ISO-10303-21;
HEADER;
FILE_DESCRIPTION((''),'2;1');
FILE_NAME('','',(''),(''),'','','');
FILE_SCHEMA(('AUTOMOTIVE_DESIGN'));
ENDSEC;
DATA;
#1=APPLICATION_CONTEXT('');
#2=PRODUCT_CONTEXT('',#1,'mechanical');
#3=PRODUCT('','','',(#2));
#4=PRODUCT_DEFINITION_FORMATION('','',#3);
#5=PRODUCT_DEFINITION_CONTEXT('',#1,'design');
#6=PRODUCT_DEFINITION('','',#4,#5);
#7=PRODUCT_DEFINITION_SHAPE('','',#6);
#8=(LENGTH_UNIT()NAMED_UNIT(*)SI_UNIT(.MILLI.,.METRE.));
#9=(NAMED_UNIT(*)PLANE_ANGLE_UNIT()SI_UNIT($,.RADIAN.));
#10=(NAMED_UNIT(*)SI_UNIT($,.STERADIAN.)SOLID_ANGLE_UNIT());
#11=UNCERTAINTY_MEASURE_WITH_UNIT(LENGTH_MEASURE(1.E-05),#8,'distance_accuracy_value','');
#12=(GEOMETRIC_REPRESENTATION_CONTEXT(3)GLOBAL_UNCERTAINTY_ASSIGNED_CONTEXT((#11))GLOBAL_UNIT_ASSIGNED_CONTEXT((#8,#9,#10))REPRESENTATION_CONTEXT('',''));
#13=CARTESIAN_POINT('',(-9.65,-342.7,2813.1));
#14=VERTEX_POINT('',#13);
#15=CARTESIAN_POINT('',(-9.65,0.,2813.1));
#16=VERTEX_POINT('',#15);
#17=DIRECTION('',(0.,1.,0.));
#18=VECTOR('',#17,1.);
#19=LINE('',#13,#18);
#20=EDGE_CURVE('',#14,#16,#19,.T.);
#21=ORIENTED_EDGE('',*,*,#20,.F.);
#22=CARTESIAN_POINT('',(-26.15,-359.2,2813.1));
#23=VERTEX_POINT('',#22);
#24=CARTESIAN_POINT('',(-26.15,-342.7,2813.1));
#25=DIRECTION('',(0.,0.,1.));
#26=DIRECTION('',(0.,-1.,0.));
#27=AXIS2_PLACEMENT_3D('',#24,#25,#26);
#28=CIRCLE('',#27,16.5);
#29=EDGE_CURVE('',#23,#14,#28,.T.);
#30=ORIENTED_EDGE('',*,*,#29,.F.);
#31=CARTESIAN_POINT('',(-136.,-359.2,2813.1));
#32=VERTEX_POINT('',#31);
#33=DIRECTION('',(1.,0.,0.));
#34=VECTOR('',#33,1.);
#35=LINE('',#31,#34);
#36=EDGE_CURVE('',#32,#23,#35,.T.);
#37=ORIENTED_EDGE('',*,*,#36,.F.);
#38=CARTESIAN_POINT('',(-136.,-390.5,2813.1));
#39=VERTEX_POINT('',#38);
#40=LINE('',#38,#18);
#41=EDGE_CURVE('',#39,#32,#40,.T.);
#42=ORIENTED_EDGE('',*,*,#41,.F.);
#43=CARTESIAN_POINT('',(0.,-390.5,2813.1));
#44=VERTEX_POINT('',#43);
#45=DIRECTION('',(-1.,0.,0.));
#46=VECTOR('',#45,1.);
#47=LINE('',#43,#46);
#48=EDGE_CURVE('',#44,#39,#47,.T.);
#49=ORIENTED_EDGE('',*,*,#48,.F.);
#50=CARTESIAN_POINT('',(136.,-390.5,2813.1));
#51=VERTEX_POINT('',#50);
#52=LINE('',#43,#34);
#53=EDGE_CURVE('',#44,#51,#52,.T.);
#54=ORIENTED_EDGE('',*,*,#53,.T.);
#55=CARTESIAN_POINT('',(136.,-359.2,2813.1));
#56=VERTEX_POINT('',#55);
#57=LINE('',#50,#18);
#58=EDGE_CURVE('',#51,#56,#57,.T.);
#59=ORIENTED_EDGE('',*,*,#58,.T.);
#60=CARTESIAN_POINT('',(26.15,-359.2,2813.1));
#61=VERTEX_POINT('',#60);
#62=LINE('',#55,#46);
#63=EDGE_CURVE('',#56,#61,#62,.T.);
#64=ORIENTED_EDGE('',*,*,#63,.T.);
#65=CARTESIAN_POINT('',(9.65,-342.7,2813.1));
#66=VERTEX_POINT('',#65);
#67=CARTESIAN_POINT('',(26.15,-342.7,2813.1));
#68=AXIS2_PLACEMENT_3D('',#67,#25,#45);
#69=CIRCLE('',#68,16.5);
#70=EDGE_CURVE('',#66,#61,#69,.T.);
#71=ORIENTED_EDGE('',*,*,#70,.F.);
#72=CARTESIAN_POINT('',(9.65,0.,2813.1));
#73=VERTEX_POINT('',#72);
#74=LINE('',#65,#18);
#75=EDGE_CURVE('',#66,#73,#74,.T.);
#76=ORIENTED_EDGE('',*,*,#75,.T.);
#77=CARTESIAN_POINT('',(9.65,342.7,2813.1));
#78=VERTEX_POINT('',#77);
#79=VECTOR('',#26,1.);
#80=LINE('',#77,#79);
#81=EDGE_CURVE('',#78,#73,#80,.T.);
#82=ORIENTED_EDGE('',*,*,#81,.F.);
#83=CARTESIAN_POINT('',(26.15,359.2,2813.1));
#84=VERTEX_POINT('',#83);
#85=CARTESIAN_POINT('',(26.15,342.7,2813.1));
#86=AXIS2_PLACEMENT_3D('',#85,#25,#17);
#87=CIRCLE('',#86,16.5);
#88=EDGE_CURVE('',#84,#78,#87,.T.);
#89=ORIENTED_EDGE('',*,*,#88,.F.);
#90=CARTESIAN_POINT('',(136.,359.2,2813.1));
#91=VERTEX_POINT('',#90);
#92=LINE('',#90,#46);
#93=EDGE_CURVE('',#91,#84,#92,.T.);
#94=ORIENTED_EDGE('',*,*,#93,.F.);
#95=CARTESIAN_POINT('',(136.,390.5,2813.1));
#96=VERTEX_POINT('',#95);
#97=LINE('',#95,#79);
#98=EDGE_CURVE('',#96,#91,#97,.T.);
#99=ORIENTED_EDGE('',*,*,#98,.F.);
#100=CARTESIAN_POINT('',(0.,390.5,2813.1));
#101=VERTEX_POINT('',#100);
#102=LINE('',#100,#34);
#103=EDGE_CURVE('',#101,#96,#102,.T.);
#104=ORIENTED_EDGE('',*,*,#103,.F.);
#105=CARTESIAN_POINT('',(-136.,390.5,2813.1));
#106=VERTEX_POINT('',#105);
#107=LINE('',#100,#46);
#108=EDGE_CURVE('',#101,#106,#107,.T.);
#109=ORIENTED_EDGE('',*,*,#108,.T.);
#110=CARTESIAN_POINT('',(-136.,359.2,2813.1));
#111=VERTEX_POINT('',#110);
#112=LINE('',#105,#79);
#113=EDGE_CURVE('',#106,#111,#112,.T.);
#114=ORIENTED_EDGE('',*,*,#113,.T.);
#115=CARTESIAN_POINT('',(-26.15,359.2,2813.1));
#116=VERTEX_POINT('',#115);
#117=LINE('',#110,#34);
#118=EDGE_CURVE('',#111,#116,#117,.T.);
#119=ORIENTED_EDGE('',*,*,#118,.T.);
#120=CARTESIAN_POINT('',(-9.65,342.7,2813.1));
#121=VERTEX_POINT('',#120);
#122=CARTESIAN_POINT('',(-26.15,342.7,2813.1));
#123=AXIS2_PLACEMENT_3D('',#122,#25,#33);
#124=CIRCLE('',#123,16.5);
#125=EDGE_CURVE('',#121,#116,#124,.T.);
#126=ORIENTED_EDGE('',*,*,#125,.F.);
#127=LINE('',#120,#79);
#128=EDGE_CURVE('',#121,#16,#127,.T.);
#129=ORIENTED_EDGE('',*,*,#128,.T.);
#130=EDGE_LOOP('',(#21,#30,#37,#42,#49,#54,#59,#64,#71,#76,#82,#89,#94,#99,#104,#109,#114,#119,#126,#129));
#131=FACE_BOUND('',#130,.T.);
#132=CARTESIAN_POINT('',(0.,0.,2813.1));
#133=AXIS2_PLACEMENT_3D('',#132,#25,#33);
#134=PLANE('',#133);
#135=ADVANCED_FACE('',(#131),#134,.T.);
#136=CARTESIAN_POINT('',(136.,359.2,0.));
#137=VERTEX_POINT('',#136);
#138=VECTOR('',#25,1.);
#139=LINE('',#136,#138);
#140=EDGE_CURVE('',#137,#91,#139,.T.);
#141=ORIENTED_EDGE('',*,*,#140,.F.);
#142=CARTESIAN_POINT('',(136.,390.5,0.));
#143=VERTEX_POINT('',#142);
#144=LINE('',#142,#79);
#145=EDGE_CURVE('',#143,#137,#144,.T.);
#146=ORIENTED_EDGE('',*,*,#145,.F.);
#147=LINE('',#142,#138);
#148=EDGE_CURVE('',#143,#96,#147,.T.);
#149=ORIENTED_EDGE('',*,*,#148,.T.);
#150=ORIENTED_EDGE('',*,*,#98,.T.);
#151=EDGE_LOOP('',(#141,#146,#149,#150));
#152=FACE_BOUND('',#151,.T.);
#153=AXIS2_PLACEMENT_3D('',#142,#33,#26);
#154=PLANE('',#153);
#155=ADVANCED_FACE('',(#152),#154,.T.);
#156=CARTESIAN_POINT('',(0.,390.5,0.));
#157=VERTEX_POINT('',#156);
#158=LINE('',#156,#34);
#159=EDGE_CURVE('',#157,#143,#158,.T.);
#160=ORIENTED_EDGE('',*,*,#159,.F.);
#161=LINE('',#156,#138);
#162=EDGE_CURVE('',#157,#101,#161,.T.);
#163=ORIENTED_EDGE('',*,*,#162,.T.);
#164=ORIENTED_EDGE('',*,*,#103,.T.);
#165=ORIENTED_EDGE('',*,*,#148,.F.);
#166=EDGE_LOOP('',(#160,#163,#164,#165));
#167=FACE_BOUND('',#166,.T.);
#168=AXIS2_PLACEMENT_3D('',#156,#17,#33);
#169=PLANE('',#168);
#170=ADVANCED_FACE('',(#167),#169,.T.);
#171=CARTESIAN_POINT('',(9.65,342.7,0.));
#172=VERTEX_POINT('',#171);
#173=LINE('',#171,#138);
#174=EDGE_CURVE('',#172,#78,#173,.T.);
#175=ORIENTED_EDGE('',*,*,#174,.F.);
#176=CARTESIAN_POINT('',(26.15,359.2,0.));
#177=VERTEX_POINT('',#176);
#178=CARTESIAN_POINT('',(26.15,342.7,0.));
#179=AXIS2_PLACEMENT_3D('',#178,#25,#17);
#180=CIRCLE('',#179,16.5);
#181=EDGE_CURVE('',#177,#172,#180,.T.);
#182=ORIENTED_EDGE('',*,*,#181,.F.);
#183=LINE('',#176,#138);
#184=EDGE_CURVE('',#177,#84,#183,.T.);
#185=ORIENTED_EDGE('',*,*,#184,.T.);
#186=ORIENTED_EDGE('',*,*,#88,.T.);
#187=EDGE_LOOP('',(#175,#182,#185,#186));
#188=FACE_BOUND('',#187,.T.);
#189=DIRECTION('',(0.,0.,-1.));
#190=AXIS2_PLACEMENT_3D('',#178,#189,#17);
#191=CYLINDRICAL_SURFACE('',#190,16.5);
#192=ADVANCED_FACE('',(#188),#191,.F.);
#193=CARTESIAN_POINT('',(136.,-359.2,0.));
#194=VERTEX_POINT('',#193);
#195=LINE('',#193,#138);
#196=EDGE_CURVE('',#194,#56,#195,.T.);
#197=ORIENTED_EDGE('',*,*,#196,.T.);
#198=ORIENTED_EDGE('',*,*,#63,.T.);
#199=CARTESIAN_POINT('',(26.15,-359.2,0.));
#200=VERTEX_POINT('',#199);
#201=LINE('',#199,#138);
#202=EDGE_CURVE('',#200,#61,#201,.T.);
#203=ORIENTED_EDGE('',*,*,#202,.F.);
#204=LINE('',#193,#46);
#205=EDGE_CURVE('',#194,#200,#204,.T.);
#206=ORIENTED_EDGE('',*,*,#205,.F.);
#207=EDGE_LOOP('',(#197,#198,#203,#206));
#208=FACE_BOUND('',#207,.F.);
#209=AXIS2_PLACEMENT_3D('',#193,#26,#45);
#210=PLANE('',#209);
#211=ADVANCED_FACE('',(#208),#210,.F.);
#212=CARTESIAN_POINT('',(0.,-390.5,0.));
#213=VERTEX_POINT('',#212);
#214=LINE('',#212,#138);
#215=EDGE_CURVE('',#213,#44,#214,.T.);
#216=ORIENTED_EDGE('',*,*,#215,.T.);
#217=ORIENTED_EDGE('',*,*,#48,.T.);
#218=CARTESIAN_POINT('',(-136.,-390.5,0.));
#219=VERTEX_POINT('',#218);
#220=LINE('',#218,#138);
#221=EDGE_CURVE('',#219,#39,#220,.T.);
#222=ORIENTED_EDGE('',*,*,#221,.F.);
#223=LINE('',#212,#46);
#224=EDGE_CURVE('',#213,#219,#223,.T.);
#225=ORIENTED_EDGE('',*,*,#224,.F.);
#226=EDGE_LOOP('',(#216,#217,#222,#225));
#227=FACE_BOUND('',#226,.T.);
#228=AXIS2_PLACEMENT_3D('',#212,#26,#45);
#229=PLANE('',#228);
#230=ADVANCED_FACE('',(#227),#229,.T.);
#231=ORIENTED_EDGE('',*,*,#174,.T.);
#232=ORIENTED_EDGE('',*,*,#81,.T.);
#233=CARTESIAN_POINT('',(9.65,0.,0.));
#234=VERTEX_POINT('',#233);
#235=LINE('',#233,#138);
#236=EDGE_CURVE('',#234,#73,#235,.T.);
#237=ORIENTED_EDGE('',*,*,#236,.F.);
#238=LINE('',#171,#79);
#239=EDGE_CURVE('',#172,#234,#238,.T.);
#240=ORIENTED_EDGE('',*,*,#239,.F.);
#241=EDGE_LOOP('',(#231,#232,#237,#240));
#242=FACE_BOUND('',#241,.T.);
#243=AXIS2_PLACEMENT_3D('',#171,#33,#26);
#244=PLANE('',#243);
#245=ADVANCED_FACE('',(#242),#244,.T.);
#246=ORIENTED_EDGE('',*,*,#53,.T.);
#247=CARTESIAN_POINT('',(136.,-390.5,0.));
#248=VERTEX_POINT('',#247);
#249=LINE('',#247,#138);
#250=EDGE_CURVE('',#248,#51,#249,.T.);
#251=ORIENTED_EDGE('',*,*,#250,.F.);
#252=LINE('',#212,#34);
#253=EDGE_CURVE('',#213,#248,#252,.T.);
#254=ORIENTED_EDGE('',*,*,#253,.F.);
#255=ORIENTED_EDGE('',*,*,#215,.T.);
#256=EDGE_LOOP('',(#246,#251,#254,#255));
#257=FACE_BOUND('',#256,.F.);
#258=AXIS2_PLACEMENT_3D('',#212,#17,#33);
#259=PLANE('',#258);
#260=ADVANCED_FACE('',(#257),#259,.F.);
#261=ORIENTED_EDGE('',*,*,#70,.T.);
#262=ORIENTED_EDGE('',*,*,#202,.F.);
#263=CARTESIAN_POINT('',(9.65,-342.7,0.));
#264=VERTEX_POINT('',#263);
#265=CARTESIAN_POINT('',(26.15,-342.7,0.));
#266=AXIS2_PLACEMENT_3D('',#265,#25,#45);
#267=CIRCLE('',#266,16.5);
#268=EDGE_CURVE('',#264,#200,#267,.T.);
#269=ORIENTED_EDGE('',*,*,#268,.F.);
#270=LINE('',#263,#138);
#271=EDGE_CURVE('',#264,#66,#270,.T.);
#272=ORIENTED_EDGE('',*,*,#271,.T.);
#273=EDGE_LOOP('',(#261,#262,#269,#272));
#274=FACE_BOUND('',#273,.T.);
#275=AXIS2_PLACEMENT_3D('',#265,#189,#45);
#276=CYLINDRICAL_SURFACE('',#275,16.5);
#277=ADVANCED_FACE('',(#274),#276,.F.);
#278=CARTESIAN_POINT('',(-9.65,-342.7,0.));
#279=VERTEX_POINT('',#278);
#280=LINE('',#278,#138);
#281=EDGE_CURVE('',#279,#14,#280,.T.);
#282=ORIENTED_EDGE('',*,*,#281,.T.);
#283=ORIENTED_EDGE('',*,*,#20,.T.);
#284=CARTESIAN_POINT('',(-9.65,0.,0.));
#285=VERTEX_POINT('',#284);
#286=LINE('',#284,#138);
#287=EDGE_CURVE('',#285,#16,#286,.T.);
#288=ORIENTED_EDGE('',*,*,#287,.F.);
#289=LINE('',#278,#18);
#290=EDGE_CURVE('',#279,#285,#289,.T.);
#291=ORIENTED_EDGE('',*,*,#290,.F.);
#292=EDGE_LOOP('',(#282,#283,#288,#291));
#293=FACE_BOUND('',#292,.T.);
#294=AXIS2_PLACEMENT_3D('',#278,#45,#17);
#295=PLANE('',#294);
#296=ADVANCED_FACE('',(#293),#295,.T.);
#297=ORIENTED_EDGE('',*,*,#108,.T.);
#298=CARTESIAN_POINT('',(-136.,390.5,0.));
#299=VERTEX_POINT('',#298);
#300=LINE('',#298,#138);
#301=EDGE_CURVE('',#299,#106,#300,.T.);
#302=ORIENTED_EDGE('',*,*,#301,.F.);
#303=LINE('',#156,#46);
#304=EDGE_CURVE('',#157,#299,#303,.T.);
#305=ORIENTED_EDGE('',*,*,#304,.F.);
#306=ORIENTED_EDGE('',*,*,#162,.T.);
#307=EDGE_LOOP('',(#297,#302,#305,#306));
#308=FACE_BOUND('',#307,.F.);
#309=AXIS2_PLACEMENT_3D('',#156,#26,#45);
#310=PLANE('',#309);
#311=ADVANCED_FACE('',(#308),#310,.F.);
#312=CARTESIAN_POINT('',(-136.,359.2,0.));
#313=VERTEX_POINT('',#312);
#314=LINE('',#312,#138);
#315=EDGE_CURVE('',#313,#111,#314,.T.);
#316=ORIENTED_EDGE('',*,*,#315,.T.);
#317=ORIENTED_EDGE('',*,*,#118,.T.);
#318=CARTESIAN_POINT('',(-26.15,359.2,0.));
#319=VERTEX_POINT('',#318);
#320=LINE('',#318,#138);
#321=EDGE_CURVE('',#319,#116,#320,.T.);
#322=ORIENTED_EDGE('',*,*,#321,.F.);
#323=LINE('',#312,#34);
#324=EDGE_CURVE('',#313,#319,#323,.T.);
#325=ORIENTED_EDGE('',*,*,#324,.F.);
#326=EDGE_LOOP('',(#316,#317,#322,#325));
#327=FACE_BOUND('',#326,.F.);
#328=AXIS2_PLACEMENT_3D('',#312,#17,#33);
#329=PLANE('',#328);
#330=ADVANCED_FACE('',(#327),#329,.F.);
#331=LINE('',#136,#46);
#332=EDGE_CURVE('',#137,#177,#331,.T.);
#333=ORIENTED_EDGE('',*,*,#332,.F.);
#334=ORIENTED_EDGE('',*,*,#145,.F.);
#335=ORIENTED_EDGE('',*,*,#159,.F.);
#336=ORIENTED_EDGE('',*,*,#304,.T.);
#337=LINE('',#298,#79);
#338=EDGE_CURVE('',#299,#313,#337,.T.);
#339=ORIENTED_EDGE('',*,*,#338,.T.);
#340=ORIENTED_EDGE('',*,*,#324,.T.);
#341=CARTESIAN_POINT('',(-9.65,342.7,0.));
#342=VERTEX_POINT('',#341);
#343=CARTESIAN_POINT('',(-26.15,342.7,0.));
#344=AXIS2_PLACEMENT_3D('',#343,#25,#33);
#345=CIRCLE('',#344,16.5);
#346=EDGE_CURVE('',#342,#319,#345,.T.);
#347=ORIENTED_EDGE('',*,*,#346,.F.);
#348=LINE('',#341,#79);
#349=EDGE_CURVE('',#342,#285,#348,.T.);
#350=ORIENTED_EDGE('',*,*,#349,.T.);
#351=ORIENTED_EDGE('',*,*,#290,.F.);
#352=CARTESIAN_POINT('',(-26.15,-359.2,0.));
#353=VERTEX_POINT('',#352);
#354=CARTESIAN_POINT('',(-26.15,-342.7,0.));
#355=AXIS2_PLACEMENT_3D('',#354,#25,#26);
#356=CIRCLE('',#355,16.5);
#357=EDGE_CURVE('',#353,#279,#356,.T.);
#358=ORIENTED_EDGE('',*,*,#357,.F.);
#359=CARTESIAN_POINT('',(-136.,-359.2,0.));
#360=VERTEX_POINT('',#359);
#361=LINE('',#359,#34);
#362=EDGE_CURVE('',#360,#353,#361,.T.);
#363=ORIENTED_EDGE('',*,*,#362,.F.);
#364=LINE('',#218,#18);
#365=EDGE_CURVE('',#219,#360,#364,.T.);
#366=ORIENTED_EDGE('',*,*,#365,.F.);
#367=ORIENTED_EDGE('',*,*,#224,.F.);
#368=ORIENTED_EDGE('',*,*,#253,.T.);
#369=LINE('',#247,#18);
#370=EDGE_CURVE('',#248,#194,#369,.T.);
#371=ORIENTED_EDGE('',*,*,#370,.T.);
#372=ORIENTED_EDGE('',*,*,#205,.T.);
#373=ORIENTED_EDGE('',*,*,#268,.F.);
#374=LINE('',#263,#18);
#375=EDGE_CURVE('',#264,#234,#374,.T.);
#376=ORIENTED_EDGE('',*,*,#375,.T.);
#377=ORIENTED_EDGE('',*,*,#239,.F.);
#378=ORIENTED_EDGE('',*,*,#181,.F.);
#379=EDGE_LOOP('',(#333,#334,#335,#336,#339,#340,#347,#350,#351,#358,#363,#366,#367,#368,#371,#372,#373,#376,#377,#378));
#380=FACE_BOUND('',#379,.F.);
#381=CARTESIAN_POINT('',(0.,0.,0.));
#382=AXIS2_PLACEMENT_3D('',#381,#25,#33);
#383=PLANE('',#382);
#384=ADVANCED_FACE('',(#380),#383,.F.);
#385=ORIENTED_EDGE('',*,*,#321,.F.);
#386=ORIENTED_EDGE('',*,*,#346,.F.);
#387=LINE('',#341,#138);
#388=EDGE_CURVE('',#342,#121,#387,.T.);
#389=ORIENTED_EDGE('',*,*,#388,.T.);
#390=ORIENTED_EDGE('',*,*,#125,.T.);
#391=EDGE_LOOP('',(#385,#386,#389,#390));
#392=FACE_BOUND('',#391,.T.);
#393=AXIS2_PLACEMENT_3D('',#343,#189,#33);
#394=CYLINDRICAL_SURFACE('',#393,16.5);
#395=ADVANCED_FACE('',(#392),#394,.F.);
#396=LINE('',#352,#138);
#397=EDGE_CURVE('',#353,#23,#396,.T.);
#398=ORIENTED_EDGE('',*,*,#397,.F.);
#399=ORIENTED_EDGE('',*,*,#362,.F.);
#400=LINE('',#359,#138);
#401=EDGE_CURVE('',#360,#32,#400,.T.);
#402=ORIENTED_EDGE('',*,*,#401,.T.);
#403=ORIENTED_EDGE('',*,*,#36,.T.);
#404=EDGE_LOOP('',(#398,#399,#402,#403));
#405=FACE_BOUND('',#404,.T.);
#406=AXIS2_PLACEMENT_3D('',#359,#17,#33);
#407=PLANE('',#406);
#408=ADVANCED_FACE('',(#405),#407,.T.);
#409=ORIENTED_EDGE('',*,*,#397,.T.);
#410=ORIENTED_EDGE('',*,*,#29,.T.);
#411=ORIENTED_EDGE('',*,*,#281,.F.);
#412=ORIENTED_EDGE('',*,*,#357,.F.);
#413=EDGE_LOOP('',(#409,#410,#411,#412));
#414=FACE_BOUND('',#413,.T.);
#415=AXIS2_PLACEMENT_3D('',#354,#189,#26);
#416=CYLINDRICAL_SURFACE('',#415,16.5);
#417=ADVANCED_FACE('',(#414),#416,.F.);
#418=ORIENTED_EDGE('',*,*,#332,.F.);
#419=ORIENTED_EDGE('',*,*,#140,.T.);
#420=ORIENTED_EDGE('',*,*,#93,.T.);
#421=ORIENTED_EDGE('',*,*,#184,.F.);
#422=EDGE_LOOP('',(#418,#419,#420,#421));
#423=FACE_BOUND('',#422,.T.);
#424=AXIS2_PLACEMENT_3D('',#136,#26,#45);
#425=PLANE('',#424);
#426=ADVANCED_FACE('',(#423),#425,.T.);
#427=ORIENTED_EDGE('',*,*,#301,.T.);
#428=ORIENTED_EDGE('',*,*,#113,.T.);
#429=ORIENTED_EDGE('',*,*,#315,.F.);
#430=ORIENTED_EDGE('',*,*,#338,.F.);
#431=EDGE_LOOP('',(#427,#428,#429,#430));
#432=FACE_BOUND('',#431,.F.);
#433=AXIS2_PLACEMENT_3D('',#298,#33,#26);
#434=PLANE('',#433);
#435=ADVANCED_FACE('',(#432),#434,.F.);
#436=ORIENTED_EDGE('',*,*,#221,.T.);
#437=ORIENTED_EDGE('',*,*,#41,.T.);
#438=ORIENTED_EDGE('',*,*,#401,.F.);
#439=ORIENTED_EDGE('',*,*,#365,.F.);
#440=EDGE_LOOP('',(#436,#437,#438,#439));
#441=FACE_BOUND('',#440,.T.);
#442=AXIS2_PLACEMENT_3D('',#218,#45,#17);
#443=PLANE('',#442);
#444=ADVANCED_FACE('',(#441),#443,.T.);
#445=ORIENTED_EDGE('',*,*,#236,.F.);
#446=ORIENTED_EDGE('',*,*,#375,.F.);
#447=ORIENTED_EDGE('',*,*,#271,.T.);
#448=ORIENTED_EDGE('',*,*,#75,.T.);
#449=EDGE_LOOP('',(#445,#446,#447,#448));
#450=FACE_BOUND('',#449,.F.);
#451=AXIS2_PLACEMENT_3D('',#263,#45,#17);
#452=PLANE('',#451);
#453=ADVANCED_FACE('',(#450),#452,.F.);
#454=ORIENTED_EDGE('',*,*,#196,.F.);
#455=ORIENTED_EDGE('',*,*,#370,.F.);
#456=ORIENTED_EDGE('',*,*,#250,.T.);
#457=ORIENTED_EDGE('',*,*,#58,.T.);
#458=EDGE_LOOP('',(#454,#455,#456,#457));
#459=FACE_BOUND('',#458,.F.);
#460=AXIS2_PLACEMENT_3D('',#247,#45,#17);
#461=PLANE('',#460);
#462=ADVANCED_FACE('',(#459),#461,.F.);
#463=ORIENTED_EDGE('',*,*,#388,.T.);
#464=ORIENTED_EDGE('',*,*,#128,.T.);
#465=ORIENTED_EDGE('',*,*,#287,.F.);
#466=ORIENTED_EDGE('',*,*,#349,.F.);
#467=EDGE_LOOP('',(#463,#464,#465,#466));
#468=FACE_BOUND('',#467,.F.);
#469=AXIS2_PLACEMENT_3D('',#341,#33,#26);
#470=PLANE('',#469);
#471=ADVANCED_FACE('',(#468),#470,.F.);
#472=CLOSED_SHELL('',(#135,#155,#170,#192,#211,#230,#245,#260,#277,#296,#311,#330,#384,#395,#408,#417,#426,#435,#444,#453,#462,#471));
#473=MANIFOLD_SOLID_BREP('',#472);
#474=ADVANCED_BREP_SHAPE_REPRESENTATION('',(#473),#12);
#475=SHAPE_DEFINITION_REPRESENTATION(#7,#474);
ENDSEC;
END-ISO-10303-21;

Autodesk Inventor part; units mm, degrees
ref_plane "YZ Plane" through (0, 0, 0) normal (1, 0, 0) x (0, 1, 0)
ref_plane "Start plane" through (0, 0, 0) normal (0, 0, 1) x (1, 0, 0)
ref_plane "End plane" through (0, 0, 2813.1) normal (0, 0, 1) x (1, 0, 0)
sketch "Sketch" plane through (0, 0, 0) normal (0, 0, 1) x (1, 0, 0)
  line L0 (-136, -390.5) -> (-136, -359.2)
  line L1 (-136, -359.2) -> (-26.15, -359.2)
  line L2 (-9.65, -342.7) -> (-9.65, 0)
  line L3 (-9.65, 0) -> (0, 0) construction
  line L4 (0, 0) -> (0, -390.5) construction
  line L5 (0, -390.5) -> (-136, -390.5)
  line L6 (-60, 0) -> (80, 0) construction
  line L7 (0, -60) -> (0, 80) construction
  line L8 (136, -390.5) -> (136, -359.2)
  line L9 (136, -359.2) -> (26.15, -359.2)
  line L10 (9.65, -342.7) -> (9.65, 0)
  line L11 (9.65, 0) -> (0, 0) construction
  line L12 (0, -390.5) -> (136, -390.5)
  line L13 (-136, 390.5) -> (-136, 359.2)
  line L14 (-136, 359.2) -> (-26.15, 359.2)
  line L15 (-9.65, 342.7) -> (-9.65, 0)
  line L16 (0, 390.5) -> (-136, 390.5)
  line L17 (136, 390.5) -> (136, 359.2)
  line L18 (136, 359.2) -> (26.15, 359.2)
  line L19 (0, 390.5) -> (136, 390.5)
  line L20 (9.65, 342.7) -> (9.65, 0)
  arc A0 (-9.65, 342.7) -> (-26.15, 359.2) centre (-26.15, 342.7) ccw
  arc A1 (26.15, 359.2) -> (9.65, 342.7) centre (26.15, 342.7) ccw
  arc A2 (9.65, -342.7) -> (26.15, -359.2) centre (26.15, -342.7) ccw
  arc A3 (-26.15, -359.2) -> (-9.65, -342.7) centre (-26.15, -342.7) ccw
  line L21 (0, 108) -> (0, -88) construction
  line L22 (-88, 0) -> (108, 0) construction
  point P0 (-9.65, -359.2)
  point P1 (9.65, -359.2)
  point P2 (-9.65, 359.2)
  point P3 (9.65, 359.2)
  dimension "d1" = 390.5
  dimension "d2" = 31.3
  dimension "d3" = 136
  dimension "d4" = 9.65
  dimension "d10" = 16.5
extrude "Body" add sketch "Sketch" along normal up to surface (2813.1 mm away) from surface at 0
sketch "Sketch4" plane through (0, 0, 0) normal (0, 0, 1) x (1, 0, 0)
  line L0 (0, 0) -> (10, 0)
ref_plane "Work Plane3" through (0, 0, 0) normal (0, -1, 0) x (1, 0, 0)
sketch "Sketch5" plane through (0, 0, 0) normal (0, -1, 0) x (1, 0, 0)
  line L0 (-2, 0) -> (12, 0) projected
  line L1 (-2, 2813.1) -> (12, 2813.1) projected
  dimension "d14" = 2813.1
equation "\"d1\" = 0.5 * G_H"
equation "\"d2\" = G_T1"
equation "\"d3\" = 0.5 * G_W"
equation "\"d4\" = 0.5 * G_T"
equation "\"d10\" = G_IR"
equation "\"d5\" = G_L"
equation "\"G_W\" = 272"
equation "\"G_H\" = 781"
equation "\"G_T\" = 19.3"
equation "\"G_T1\" = 31.3"
equation "\"G_IR\" = 16.5"
equation "\"G_L\" = d14"
equation "\"G_OFFSET_START\" = 0"
equation "\"G_OFFSET_END\" = 0"
equation "\"d12\" = G_OFFSET_END + B_L"
equation "\"B_L\" = 2813.1"
properties part number "AS 3679-1990 - 760 UB - 244 - 2813.1" material "Steel, Mild"
